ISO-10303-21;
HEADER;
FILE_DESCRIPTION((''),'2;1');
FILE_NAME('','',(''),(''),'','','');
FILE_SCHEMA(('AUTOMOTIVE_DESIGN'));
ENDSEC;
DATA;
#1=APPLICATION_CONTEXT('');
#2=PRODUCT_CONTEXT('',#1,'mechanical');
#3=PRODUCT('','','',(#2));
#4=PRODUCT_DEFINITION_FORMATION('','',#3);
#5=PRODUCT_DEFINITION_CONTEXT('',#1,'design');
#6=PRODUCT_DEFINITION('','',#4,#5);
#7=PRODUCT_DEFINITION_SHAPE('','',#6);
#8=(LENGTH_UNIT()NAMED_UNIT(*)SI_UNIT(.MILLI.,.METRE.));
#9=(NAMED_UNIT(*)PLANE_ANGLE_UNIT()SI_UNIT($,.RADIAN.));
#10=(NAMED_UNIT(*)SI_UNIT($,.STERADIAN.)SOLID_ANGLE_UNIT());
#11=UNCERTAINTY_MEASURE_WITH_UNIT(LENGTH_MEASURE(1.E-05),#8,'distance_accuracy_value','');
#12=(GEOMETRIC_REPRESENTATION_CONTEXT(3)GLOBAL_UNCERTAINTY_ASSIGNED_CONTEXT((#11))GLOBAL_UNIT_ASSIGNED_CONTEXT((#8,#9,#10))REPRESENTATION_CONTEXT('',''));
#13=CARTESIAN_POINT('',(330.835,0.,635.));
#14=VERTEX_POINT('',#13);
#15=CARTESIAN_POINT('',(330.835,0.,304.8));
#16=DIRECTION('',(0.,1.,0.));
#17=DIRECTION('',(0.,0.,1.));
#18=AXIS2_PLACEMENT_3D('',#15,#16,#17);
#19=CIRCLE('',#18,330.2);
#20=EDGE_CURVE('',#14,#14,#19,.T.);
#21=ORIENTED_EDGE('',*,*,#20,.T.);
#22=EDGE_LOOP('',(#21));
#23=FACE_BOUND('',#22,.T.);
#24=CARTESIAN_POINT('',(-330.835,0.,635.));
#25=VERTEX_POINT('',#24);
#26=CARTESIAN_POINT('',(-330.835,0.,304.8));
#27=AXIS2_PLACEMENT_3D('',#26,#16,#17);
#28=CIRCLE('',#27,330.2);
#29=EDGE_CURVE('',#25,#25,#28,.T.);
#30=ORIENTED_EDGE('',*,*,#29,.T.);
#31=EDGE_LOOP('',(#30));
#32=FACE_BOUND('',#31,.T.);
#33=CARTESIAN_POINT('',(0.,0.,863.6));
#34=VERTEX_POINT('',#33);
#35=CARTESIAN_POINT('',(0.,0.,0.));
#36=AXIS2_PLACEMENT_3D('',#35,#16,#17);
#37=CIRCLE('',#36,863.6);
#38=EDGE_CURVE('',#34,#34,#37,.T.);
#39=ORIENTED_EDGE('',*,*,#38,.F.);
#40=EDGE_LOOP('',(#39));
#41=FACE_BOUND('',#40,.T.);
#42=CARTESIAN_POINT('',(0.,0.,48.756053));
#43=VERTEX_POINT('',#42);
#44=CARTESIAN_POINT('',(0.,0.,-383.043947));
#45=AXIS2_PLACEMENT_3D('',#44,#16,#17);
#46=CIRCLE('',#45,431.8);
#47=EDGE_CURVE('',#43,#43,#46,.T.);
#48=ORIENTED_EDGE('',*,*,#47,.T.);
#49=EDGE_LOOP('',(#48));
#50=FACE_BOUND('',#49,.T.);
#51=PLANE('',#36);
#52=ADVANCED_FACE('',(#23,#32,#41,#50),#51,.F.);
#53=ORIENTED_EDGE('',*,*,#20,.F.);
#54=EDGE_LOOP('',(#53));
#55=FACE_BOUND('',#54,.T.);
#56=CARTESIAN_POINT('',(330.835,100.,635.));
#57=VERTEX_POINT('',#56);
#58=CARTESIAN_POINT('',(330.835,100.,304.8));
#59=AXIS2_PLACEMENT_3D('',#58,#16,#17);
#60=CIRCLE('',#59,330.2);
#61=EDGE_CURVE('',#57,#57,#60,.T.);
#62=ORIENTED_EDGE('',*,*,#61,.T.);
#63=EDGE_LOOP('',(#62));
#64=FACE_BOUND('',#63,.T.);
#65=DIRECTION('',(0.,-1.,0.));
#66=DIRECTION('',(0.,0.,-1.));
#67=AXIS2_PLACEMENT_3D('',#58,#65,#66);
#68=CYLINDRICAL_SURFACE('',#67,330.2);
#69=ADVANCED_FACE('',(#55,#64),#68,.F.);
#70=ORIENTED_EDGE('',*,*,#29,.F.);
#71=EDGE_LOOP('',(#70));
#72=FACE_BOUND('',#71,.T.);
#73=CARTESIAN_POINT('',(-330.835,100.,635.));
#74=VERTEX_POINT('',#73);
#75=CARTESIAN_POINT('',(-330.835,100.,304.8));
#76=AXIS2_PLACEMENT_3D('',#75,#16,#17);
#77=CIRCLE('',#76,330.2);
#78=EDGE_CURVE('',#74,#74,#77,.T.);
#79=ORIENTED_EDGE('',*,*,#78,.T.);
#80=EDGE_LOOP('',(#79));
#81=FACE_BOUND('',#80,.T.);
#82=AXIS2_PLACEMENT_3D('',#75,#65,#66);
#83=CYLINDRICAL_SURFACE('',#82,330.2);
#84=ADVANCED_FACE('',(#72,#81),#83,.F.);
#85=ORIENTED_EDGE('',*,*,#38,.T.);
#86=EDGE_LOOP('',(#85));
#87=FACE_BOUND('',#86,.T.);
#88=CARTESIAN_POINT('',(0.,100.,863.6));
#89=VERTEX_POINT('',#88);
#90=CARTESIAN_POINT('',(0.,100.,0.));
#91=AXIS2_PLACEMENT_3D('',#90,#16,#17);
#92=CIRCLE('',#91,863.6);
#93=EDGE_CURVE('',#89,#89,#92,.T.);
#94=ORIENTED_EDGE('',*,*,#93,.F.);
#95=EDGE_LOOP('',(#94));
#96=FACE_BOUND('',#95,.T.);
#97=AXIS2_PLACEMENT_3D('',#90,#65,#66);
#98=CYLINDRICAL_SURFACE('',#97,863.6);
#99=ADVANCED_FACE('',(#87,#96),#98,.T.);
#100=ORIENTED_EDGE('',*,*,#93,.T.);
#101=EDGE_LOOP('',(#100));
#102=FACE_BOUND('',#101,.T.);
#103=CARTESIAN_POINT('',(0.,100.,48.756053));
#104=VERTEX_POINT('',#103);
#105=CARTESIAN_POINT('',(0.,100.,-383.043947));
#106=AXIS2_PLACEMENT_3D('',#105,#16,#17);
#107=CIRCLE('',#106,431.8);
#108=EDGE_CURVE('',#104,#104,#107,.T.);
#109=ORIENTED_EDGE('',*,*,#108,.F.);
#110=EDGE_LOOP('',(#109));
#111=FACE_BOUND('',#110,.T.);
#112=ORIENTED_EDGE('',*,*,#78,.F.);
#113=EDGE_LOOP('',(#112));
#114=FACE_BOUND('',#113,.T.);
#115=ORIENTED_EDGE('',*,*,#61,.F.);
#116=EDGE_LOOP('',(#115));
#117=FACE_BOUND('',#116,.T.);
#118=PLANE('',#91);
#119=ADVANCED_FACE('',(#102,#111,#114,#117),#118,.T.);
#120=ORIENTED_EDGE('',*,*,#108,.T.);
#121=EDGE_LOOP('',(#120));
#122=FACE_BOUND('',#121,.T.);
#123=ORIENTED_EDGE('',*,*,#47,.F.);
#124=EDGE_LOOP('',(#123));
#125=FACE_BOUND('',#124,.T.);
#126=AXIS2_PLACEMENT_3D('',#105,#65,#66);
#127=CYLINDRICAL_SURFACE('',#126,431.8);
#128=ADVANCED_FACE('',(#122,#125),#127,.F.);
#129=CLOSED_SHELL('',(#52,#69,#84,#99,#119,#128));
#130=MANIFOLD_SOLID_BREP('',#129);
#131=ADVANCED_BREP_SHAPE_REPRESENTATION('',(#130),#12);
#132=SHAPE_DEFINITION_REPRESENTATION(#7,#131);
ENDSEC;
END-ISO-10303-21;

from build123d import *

# Parameters (mm, degrees)
SKETCH1_R           = 863.6
SKETCH1_R_2         = 330.2
SKETCH1_R_3         = 431.8
BOSS_EXTRUDE1_DEPTH = 100


with BuildPart() as part:
    # Sketch1 → Boss-Extrude1 (new body)
    with BuildSketch(Plane(origin=(0, 0, 0), x_dir=(1, 0, 0), z_dir=(0, 1, 0))):
        Circle(SKETCH1_R)
        with Locations((330.835, -304.8)):
            Circle(SKETCH1_R_2, mode=Mode.SUBTRACT)
        with Locations((0, 383.043947182)):
            Circle(SKETCH1_R_3, mode=Mode.SUBTRACT)
        with Locations((-330.835, -304.8)):
            Circle(SKETCH1_R_2, mode=Mode.SUBTRACT)
    extrude(amount=BOSS_EXTRUDE1_DEPTH)


solid = part.part
